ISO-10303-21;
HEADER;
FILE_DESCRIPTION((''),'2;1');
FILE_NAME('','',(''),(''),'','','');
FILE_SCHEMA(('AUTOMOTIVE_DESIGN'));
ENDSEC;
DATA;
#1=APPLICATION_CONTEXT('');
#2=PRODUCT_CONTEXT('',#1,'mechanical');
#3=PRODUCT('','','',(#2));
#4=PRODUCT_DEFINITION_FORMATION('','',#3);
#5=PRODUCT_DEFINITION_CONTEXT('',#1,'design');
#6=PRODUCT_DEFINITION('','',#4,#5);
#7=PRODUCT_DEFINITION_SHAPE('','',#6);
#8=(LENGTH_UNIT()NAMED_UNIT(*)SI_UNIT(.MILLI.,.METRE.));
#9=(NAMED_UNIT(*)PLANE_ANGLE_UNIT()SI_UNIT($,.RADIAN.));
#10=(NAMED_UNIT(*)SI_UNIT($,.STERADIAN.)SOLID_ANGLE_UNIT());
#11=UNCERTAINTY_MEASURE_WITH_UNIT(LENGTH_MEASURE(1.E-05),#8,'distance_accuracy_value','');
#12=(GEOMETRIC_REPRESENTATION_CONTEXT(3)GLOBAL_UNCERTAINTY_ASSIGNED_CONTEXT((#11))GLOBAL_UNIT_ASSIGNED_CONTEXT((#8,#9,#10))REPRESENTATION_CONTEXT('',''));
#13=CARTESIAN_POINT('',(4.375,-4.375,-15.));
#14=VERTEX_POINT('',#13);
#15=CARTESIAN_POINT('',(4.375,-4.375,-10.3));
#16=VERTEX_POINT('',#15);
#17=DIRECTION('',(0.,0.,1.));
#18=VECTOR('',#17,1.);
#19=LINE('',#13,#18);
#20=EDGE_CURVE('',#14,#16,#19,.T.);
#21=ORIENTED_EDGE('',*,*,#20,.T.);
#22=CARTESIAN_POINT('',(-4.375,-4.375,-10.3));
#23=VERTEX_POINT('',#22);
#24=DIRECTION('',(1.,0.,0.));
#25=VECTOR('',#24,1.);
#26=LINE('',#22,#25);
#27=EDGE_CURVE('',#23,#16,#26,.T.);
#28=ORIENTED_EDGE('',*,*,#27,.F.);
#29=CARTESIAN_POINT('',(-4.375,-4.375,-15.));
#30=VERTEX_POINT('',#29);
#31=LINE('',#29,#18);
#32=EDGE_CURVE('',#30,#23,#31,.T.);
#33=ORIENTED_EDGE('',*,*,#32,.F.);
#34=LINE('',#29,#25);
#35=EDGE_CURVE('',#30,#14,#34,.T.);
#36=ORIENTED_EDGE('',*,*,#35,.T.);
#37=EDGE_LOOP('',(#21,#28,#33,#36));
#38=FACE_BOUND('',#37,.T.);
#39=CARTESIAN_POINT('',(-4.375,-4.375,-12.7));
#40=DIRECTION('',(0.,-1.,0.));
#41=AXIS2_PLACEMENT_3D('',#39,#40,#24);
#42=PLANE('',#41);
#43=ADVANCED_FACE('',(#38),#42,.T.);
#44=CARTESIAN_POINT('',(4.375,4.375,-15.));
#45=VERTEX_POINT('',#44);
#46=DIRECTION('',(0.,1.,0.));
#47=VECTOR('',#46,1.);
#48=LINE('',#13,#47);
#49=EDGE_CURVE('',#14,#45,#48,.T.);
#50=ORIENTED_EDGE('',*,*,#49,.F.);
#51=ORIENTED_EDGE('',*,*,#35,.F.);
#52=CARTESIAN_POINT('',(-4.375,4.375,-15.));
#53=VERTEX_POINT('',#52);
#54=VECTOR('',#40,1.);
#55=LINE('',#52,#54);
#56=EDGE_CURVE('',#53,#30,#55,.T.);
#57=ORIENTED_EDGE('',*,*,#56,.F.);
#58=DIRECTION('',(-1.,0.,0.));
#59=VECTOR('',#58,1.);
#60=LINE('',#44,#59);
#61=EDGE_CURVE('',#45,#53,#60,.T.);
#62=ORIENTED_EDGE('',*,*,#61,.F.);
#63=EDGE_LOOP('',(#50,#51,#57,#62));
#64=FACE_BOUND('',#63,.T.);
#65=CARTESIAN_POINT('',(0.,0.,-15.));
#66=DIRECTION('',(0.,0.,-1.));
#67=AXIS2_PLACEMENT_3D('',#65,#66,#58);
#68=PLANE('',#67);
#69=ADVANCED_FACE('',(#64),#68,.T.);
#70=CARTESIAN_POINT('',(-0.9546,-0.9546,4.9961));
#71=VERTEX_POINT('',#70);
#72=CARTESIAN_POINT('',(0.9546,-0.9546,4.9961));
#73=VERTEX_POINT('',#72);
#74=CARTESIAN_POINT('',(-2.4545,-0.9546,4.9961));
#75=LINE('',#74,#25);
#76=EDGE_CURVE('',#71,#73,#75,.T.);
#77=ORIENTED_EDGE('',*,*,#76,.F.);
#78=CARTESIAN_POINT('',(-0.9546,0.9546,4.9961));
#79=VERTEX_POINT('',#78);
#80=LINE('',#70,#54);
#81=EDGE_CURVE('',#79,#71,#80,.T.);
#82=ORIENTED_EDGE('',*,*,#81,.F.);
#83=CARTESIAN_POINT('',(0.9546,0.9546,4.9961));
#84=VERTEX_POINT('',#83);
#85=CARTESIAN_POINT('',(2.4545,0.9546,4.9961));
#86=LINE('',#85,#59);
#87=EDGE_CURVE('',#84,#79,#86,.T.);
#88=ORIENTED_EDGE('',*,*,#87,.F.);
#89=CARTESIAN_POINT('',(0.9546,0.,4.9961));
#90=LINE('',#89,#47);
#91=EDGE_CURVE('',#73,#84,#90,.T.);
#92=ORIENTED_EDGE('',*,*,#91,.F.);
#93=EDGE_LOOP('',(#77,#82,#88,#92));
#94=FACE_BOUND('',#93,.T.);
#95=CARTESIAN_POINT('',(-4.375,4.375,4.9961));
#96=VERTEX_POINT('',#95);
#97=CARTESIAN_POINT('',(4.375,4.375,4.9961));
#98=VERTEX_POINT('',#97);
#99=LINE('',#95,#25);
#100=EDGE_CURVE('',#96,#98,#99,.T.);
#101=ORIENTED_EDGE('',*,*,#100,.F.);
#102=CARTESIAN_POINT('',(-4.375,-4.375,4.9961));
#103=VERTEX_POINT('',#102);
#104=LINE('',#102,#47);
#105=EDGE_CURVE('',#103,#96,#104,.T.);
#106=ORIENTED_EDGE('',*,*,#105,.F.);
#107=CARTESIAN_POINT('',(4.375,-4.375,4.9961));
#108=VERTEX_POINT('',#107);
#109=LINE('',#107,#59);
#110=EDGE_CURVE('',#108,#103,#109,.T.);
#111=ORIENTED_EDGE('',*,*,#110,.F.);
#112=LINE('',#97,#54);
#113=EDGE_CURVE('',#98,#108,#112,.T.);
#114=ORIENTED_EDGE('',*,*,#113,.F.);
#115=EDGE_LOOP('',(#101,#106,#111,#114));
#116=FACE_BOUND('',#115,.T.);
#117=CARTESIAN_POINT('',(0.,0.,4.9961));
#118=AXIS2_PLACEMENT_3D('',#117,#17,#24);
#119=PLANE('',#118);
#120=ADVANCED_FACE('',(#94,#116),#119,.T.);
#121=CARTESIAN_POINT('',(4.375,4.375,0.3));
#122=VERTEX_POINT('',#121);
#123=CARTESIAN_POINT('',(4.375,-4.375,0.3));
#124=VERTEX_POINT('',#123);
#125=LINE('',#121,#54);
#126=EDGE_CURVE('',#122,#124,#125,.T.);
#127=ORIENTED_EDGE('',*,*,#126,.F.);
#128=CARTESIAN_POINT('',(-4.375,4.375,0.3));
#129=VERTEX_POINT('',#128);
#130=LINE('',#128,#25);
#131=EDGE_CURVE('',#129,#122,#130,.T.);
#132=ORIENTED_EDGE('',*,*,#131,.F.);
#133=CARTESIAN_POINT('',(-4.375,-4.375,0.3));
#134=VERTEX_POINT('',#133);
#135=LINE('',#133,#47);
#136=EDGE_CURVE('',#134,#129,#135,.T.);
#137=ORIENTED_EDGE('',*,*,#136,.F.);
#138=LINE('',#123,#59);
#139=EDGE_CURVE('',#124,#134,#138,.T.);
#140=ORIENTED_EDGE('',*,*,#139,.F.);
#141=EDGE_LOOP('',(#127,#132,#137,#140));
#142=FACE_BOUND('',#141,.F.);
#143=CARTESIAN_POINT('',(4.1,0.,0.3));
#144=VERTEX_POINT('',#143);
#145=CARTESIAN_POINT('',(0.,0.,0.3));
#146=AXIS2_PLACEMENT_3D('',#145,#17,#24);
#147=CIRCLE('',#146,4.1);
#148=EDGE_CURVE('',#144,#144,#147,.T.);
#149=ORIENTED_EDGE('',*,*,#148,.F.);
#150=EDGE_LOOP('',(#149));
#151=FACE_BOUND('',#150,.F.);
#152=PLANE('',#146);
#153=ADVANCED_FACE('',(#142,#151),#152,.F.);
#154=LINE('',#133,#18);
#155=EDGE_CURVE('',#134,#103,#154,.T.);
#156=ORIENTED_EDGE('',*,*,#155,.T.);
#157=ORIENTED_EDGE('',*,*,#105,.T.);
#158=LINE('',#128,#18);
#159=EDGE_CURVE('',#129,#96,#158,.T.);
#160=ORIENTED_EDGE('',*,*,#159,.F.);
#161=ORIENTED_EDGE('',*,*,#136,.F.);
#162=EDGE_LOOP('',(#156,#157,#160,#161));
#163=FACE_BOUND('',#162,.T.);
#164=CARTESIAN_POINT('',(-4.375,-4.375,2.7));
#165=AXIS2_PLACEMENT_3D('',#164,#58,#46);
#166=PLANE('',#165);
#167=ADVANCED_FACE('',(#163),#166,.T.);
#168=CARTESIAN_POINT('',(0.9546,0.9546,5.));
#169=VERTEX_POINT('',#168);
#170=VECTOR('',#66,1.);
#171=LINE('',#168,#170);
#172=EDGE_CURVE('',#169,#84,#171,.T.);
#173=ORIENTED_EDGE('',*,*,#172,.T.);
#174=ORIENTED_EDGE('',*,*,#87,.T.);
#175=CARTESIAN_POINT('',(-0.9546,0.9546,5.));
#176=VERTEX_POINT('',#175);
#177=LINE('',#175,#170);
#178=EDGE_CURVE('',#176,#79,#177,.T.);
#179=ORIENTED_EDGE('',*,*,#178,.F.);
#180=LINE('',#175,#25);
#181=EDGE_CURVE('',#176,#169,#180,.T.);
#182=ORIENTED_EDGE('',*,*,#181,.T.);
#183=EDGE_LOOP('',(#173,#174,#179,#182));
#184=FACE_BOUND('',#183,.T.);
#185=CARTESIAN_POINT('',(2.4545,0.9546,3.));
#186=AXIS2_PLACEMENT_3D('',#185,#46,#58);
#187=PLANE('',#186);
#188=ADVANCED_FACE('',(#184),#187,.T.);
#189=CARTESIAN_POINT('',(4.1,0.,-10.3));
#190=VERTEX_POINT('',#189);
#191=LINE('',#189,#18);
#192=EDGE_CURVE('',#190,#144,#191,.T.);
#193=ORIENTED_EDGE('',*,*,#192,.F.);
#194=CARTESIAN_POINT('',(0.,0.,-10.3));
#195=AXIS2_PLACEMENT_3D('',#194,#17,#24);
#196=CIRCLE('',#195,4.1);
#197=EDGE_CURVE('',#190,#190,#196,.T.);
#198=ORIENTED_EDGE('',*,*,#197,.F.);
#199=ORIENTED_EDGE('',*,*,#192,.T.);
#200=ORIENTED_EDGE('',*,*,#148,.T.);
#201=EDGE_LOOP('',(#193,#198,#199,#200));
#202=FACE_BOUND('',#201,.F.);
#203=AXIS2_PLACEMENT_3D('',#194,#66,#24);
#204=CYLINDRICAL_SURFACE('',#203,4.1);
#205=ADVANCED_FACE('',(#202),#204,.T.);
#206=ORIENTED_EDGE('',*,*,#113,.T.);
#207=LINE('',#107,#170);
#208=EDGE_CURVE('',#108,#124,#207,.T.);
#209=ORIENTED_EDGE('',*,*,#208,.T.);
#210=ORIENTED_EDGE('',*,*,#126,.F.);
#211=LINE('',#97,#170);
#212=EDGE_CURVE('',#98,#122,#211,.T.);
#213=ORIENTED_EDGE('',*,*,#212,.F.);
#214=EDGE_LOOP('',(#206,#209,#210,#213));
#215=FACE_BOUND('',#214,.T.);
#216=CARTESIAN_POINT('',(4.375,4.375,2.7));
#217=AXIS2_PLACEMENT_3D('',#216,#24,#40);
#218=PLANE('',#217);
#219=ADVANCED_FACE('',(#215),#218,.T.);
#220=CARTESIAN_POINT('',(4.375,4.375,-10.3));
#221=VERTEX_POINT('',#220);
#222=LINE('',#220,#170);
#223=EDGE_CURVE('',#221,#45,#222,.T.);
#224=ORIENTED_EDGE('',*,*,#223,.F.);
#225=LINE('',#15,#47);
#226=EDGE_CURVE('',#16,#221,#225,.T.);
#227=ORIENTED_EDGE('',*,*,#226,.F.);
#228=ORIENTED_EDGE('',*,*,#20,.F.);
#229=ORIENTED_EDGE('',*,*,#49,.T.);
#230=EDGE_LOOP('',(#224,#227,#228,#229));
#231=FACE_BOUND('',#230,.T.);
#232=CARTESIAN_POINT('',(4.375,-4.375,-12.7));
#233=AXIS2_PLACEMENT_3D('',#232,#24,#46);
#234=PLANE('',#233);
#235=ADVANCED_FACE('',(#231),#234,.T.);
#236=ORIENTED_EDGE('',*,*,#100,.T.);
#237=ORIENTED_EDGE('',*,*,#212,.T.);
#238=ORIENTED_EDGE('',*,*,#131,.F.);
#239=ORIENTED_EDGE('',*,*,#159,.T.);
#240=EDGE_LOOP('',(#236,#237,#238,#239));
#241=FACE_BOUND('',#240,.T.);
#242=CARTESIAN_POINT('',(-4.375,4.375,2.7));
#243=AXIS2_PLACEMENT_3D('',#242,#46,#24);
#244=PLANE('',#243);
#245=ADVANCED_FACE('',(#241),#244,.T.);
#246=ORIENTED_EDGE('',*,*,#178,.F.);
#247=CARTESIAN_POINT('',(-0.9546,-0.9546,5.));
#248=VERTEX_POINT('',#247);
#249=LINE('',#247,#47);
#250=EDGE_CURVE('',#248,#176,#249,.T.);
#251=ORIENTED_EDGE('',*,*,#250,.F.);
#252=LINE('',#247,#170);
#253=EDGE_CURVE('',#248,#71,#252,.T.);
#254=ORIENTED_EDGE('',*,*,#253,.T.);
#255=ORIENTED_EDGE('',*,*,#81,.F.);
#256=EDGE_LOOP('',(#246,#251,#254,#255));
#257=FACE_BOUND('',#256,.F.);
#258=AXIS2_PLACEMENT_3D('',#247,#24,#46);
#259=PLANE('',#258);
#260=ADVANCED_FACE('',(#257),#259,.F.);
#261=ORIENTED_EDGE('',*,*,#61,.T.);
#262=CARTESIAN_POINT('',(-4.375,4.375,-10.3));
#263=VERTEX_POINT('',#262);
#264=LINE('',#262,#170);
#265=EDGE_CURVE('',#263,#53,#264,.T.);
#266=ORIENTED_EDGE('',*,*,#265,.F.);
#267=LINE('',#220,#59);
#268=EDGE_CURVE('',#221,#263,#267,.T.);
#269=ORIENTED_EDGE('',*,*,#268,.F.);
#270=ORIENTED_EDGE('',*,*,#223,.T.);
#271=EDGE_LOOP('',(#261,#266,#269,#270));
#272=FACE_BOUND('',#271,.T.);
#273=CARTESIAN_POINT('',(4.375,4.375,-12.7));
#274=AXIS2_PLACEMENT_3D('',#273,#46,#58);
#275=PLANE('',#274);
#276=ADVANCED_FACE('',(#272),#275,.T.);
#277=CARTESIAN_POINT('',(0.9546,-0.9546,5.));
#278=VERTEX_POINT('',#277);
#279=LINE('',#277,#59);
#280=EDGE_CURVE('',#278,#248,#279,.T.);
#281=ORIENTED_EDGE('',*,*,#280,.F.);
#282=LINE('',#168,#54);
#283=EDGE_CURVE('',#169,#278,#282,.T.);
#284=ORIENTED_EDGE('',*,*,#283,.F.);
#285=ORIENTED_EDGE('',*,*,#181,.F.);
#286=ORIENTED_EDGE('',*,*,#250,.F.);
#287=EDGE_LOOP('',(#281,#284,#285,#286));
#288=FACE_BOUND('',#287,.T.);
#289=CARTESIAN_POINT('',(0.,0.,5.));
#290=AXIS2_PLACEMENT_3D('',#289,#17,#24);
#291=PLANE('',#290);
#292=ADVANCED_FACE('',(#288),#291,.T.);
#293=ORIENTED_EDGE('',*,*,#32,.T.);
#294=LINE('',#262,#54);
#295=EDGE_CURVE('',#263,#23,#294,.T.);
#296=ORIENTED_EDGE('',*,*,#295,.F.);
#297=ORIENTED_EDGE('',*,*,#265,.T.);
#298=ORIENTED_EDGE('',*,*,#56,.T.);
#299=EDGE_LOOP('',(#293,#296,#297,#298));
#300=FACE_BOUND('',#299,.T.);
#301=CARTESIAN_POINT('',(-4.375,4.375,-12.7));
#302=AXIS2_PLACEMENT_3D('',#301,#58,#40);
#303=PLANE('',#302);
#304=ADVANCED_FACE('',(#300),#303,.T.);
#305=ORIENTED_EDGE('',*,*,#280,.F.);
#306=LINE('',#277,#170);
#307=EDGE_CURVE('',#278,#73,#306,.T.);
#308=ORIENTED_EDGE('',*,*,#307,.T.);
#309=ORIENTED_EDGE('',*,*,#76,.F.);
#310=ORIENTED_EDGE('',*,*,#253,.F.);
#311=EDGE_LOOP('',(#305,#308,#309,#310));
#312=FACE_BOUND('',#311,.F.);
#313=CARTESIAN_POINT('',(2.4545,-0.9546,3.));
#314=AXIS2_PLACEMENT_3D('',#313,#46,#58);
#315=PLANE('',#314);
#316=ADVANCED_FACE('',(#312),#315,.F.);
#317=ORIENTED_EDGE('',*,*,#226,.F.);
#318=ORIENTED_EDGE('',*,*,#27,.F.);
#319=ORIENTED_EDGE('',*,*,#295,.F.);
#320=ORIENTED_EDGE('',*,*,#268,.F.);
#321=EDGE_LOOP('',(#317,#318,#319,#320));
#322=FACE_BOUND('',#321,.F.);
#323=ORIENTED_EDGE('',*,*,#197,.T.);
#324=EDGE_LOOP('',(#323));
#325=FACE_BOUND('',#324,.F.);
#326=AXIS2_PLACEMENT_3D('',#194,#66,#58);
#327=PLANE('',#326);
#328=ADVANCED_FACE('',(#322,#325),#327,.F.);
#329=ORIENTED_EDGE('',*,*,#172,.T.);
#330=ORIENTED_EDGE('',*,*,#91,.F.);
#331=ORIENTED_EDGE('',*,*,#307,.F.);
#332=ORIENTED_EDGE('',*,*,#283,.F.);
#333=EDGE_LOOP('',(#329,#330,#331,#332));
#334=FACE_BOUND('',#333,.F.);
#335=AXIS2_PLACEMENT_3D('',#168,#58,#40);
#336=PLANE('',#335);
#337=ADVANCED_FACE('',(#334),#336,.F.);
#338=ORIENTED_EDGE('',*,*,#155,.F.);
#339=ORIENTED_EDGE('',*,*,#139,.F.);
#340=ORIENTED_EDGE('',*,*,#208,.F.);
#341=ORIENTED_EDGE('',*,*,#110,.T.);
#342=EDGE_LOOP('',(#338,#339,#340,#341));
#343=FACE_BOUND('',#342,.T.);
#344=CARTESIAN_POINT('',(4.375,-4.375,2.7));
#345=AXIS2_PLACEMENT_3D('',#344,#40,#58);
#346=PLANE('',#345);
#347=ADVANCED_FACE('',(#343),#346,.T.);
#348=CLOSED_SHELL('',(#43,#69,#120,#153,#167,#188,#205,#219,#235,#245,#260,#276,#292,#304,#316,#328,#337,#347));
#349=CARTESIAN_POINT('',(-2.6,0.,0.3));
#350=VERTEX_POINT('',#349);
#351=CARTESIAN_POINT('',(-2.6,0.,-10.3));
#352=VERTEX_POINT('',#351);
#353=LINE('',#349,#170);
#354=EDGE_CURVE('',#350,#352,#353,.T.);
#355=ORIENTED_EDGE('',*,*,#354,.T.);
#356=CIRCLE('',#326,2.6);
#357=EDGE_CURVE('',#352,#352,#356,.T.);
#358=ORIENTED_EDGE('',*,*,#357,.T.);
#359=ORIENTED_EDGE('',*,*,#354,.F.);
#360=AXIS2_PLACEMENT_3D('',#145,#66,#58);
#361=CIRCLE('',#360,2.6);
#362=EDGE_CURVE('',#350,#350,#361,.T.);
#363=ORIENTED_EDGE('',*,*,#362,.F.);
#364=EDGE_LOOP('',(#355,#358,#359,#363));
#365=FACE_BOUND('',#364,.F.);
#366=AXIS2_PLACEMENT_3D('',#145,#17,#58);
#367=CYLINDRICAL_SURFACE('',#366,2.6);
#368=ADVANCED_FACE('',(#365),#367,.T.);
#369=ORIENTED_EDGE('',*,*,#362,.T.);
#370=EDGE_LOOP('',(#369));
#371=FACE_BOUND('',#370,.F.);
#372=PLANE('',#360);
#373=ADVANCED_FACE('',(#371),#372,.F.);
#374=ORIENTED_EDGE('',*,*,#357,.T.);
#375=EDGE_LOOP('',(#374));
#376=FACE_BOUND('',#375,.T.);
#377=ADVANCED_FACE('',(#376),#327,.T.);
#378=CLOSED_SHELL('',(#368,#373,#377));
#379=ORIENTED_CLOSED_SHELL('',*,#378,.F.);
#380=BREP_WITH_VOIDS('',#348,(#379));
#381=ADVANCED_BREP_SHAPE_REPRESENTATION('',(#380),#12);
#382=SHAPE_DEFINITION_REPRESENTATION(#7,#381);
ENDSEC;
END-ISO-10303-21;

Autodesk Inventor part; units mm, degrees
ref_plane "YZ Plane" through (0, 0, 0) normal (1, 0, 0) x (0, 1, 0)
ref_plane "XZ Plane" through (0, 0, 0) normal (0, 1, 0) x (-1, 0, 0)
ref_plane "XY Plane" through (0, 0, 0) normal (0, 0, 1) x (1, 0, 0)
sketch "Sketch1" plane through (0, 0, 0) normal (0, 0, 1) x (1, 0, 0)
  circle A0 centre (0, 0) radius 1.65 projected
  circle A1 centre (0, 0) radius 1.35
  point P0 (0, 0)
  dimension "d21" = 2.7
extrude "Extrusion1" add sketch "Sketch1" along normal blind 5 and the other way blind 15 contours A1
sketch "Sketch2" plane through (0, 0, 5) normal (0, 0, 1) x (1, 0, 0)
  circle A0 centre (0, 0) radius 1.35 projected
  line L0 (-0.9546, 0.9546) -> (0.9546, 0.9546)
  line L1 (0.9546, 0.9546) -> (0.9546, -0.9546)
  line L2 (0.9546, -0.9546) -> (-0.9546, -0.9546)
  line L3 (-0.9546, -0.9546) -> (-0.9546, 0.9546)
  circle A1 centre (0, 0) radius 1.35 projected
  point P0 (0, 0)
extrude "Extrusion2" cut sketch "Sketch2" against normal blind 2 contours A0 L1 | L0 A0 | A0 L2 | L3 A0
sketch "Sketch3" plane through (0, 0, 3) normal (0, 0, 1) x (1, 0, 0)
  arc A0 (-0.9546, 0.9546) -> (-0.9546, -0.9546) centre (0, 0) ccw projected
  arc A1 (0.9546, 0.9546) -> (-0.9546, 0.9546) centre (0, 0) ccw projected
  arc A2 (0.9546, -0.9546) -> (0.9546, 0.9546) centre (0, 0) ccw projected
  arc A3 (-0.9546, -0.9546) -> (0.9546, -0.9546) centre (0, 0) ccw projected
  arc A4 (-0.9546, 0.9546) -> (-0.9546, -0.9546) centre (0, 0) ccw projected
  circle A5 centre (0, 0) radius 1.35 projected
  circle A6 centre (0, 0) radius 1.9092
  point P0 (0, 0)
extrude "Extrusion3" add sketch "Sketch3" against normal blind 2.7
sketch "Sketch4" plane through (0, 0, -15) normal (0, 0, -1) x (-1, 0, 0)
  circle A0 centre (0, 0) radius 1.35 projected
  circle A1 centre (0, 0) radius 1.35 projected
  circle A2 centre (0, 0) radius 1.9092 projected
  line L0 (-0.9546, -0.9546) -> (-0.9546, 0.9546) projected
  line L1 (0.9546, -0.9546) -> (-0.9546, -0.9546) projected
  line L2 (0.9546, 0.9546) -> (0.9546, -0.9546) projected
  line L3 (-0.9546, 0.9546) -> (0.9546, 0.9546) projected
extrude "Extrusion4" cut sketch "Sketch4" against normal blind 2 contours A0 L2 | L3 A0 | A0 L1 | L0 A0
sketch "Sketch5" plane through (0, 0, -13) normal (0, 0, -1) x (-1, 0, 0)
  circle A0 centre (0, 0) radius 1.9092 projected
  point P0 (0, 0)
extrude "Extrusion5" add sketch "Sketch5" against normal blind 2.7
sketch "Sketch7" plane through (-0.9546, -0.9546, -15) normal (0, -1, 0) x (1, 0, 0)
  line L0 (1.9092, 2) -> (0, 2) construction
  line L1 (0, 0) -> (0, 2) construction
  line L2 (1.9092, 2) -> (1.9092, 0) construction
  line L3 (-1.4999, 2) -> (3.4091, 2)
  line L4 (3.4091, 2) -> (3.4091, 0)
  line L5 (3.4091, 0) -> (-1.4999, 0)
  line L6 (-1.4999, 0) -> (-1.4999, 2)
  line L7 (0.9546, 19.9961) -> (0.9546, 0)
  line L8 (0.9546, 9.998) -> (8.9961, 9.998)
  line L9 (-1.4999, 17.9961) -> (3.4091, 17.9961)
  line L10 (3.4091, 17.9961) -> (3.4091, 19.9961)
  line L11 (3.4091, 19.9961) -> (-1.4999, 19.9961)
  line L12 (-1.4999, 19.9961) -> (-1.4999, 17.9961)
  point P0 (0.9546, 15)
  dimension "d13" = 4.909
  dimension "d14" = 1.4999
  dimension "d15" = 1.9092
  dimension "d16" = 2
  dimension "d17" = 2
  dimension "d18" = 0
extrude "Extrusion6" add sketch "Sketch7" against normal up to surface (1.9092 mm away)
sketch "Sketch8" plane through (0, 0, -10.3) normal (0, 0, 1) x (1, 0, 0)
  circle A0 centre (0, 0) radius 1.35 projected
  circle A1 centre (0, 0) radius 3.375
  dimension "d22" = 2.7
  dimension "d23" = 6.75
extrude "Extrusion7" add sketch "Sketch8" along normal up to surface (10.6 mm away)
sketch "Sketch9" plane through (0, 0, -10.3) normal (0, 0, -1) x (-1, 0, 0)
  circle A0 centre (0, 0) radius 3.375 projected
  circle A1 centre (0, 0) radius 1.9092 projected
  circle A2 centre (0, 0) radius 4.375
  dimension "d26" = 1
extrude "Extrusion8" add sketch "Sketch9" along normal up to surface (2.7 mm away) contours A0 | A2
sketch "Sketch10" plane through (0, 0, 0.3) normal (0, 0, 1) x (1, 0, 0)
  circle A0 centre (0, 0) radius 1.9092 projected
  circle A1 centre (0, 0) radius 4.375 projected
extrude "Extrusion9" add sketch "Sketch10" along normal up to surface (2.7 mm away)
sketch "Sketch12" plane through (0, 0, 3) normal (0, 0, 1) x (1, 0, 0)
  circle A0 centre (0, 0) radius 4.375 projected
  line L0 (2.4545, -0.9546) -> (-2.4545, -0.9546) projected
  line L1 (-2.4545, 0.9546) -> (-2.4545, -0.9546) projected
  line L2 (2.4545, 0.9546) -> (-2.4545, 0.9546) projected
  line L3 (2.4545, -0.9546) -> (2.4545, 0.9546) projected
extrude "Extrusion11" cut sketch "Sketch12" against normal blind 0.3
sketch "Sketch13" plane through (0, 0, -13) normal (0, 0, -1) x (-1, 0, 0)
  circle A0 centre (0, 0) radius 4.375 projected
  line L0 (-2.4545, 0.9546) -> (2.4545, 0.9546) projected
  line L1 (2.4545, -0.9546) -> (2.4545, 0.9546) projected
  line L2 (-2.4545, -0.9546) -> (2.4545, -0.9546) projected
  line L3 (-2.4545, -0.9546) -> (-2.4545, 0.9546) projected
extrude "Extrusion12" cut sketch "Sketch13" against normal blind 0.3
sketch "Sketch14" plane through (0, 0, -10.3) normal (0, 0, 1) x (1, 0, 0)
  circle A0 centre (0, 0) radius 3.375 projected
  circle A1 centre (0, 0) radius 4.1
  dimension "d37" = 8.2
extrude "Extrusion13" add sketch "Sketch14" along normal up to surface (10.6 mm away)
sketch "Sketch15" plane through (0, 0, -12.7) normal (0, 0, -1) x (-1, 0, 0)
  circle A0 centre (0, 0) radius 4.375 projected
  line L0 (-4.375, 4.375) -> (4.375, 4.375)
  line L1 (4.375, 4.375) -> (4.375, -4.375)
  line L2 (4.375, -4.375) -> (-4.375, -4.375)
  line L3 (-4.375, -4.375) -> (-4.375, 4.375)
  dimension "d40" = 8.75
  dimension "d41" = 8.75
  dimension "d42" = 8.75
extrude "Extrusion14" add sketch "Sketch15" against normal up to surface (2.4 mm away) contours L1 L2 A0 | A0 L0 L1 | A0 L3 L0 | L2 L3 A0
sketch "Sketch16" plane through (0, 0, 2.7) normal (0, 0, 1) x (1, 0, 0)
  circle A0 centre (0, 0) radius 4.375 projected
  line L0 (2.4545, 0.9546) -> (2.4545, -0.9546) projected
  line L1 (-2.4545, 0.9546) -> (2.4545, 0.9546) projected
  line L2 (-2.4545, -0.9546) -> (-2.4545, 0.9546) projected
  line L3 (2.4545, -0.9546) -> (-2.4545, -0.9546) projected
  line L4 (-4.375, 4.375) -> (-4.375, -4.375) projected
  line L5 (4.375, 4.375) -> (-4.375, 4.375) projected
  line L6 (4.375, -4.375) -> (4.375, 4.375) projected
  line L7 (-4.375, -4.375) -> (4.375, -4.375) projected
extrude "Extrusion15" add sketch "Sketch16" against normal up to surface (2.4 mm away) contours L6 L7 A0 | A0 L5 L6 | A0 L4 L5 | L7 L4 A0
sketch "Sketch17" plane through (0, 0, 2.7) normal (0, 0, 1) x (1, 0, 0)
  line L0 (2.4545, -0.9546) -> (2.4545, 0.9546) projected
  line L1 (-2.4545, -0.9546) -> (2.4545, -0.9546) projected
  line L2 (-2.4545, 0.9546) -> (-2.4545, -0.9546) projected
  line L3 (2.4545, 0.9546) -> (-2.4545, 0.9546) projected
  line L4 (-4.375, 4.375) -> (4.375, 4.375) projected
  line L5 (-4.375, -4.375) -> (-4.375, 4.375) projected
  line L6 (4.375, -4.375) -> (-4.375, -4.375) projected
  line L7 (4.375, 4.375) -> (4.375, -4.375) projected
  point P0 (0, 0)
extrude "Extrusion16" add sketch "Sketch17" along normal up to surface (2.2961 mm away)
sketch "Sketch18" plane through (0, 0, -12.7) normal (0, 0, -1) x (-1, 0, 0)
  line L0 (-2.4545, 0.9546) -> (-2.4545, -0.9546) projected
  line L1 (2.4545, 0.9546) -> (-2.4545, 0.9546) projected
  line L2 (2.4545, -0.9546) -> (2.4545, 0.9546) projected
  line L3 (-2.4545, -0.9546) -> (2.4545, -0.9546) projected
  line L4 (4.375, 4.375) -> (4.375, -4.375) projected
  line L5 (-4.375, 4.375) -> (4.375, 4.375) projected
  line L6 (-4.375, -4.375) -> (-4.375, 4.375) projected
  line L7 (4.375, -4.375) -> (-4.375, -4.375) projected
  point P0 (0, 0)
extrude "Extrusion17" add sketch "Sketch18" along normal up to surface (2.3 mm away)
sketch "Sketch19" plane through (0, 0, 0.3) normal (0, 0, -1) x (-1, 0, 0)
  circle A0 centre (0, 0) radius 4.1 projected
  circle A1 centre (0, 0) radius 2.6
  dimension "d51" = 1.5
extrude "Extrusion18" cut sketch "Sketch19" along normal up to surface (10.6 mm away) contours A1
equation "\"d14\" = -0.5 * d15 + 0.5 * d13"
equation "\"d23\" = 2.5 * d22"
equation "\"d41\" = d40"
equation "\"d42\" = d40"
properties part number "LargeSmallGearAxis"
